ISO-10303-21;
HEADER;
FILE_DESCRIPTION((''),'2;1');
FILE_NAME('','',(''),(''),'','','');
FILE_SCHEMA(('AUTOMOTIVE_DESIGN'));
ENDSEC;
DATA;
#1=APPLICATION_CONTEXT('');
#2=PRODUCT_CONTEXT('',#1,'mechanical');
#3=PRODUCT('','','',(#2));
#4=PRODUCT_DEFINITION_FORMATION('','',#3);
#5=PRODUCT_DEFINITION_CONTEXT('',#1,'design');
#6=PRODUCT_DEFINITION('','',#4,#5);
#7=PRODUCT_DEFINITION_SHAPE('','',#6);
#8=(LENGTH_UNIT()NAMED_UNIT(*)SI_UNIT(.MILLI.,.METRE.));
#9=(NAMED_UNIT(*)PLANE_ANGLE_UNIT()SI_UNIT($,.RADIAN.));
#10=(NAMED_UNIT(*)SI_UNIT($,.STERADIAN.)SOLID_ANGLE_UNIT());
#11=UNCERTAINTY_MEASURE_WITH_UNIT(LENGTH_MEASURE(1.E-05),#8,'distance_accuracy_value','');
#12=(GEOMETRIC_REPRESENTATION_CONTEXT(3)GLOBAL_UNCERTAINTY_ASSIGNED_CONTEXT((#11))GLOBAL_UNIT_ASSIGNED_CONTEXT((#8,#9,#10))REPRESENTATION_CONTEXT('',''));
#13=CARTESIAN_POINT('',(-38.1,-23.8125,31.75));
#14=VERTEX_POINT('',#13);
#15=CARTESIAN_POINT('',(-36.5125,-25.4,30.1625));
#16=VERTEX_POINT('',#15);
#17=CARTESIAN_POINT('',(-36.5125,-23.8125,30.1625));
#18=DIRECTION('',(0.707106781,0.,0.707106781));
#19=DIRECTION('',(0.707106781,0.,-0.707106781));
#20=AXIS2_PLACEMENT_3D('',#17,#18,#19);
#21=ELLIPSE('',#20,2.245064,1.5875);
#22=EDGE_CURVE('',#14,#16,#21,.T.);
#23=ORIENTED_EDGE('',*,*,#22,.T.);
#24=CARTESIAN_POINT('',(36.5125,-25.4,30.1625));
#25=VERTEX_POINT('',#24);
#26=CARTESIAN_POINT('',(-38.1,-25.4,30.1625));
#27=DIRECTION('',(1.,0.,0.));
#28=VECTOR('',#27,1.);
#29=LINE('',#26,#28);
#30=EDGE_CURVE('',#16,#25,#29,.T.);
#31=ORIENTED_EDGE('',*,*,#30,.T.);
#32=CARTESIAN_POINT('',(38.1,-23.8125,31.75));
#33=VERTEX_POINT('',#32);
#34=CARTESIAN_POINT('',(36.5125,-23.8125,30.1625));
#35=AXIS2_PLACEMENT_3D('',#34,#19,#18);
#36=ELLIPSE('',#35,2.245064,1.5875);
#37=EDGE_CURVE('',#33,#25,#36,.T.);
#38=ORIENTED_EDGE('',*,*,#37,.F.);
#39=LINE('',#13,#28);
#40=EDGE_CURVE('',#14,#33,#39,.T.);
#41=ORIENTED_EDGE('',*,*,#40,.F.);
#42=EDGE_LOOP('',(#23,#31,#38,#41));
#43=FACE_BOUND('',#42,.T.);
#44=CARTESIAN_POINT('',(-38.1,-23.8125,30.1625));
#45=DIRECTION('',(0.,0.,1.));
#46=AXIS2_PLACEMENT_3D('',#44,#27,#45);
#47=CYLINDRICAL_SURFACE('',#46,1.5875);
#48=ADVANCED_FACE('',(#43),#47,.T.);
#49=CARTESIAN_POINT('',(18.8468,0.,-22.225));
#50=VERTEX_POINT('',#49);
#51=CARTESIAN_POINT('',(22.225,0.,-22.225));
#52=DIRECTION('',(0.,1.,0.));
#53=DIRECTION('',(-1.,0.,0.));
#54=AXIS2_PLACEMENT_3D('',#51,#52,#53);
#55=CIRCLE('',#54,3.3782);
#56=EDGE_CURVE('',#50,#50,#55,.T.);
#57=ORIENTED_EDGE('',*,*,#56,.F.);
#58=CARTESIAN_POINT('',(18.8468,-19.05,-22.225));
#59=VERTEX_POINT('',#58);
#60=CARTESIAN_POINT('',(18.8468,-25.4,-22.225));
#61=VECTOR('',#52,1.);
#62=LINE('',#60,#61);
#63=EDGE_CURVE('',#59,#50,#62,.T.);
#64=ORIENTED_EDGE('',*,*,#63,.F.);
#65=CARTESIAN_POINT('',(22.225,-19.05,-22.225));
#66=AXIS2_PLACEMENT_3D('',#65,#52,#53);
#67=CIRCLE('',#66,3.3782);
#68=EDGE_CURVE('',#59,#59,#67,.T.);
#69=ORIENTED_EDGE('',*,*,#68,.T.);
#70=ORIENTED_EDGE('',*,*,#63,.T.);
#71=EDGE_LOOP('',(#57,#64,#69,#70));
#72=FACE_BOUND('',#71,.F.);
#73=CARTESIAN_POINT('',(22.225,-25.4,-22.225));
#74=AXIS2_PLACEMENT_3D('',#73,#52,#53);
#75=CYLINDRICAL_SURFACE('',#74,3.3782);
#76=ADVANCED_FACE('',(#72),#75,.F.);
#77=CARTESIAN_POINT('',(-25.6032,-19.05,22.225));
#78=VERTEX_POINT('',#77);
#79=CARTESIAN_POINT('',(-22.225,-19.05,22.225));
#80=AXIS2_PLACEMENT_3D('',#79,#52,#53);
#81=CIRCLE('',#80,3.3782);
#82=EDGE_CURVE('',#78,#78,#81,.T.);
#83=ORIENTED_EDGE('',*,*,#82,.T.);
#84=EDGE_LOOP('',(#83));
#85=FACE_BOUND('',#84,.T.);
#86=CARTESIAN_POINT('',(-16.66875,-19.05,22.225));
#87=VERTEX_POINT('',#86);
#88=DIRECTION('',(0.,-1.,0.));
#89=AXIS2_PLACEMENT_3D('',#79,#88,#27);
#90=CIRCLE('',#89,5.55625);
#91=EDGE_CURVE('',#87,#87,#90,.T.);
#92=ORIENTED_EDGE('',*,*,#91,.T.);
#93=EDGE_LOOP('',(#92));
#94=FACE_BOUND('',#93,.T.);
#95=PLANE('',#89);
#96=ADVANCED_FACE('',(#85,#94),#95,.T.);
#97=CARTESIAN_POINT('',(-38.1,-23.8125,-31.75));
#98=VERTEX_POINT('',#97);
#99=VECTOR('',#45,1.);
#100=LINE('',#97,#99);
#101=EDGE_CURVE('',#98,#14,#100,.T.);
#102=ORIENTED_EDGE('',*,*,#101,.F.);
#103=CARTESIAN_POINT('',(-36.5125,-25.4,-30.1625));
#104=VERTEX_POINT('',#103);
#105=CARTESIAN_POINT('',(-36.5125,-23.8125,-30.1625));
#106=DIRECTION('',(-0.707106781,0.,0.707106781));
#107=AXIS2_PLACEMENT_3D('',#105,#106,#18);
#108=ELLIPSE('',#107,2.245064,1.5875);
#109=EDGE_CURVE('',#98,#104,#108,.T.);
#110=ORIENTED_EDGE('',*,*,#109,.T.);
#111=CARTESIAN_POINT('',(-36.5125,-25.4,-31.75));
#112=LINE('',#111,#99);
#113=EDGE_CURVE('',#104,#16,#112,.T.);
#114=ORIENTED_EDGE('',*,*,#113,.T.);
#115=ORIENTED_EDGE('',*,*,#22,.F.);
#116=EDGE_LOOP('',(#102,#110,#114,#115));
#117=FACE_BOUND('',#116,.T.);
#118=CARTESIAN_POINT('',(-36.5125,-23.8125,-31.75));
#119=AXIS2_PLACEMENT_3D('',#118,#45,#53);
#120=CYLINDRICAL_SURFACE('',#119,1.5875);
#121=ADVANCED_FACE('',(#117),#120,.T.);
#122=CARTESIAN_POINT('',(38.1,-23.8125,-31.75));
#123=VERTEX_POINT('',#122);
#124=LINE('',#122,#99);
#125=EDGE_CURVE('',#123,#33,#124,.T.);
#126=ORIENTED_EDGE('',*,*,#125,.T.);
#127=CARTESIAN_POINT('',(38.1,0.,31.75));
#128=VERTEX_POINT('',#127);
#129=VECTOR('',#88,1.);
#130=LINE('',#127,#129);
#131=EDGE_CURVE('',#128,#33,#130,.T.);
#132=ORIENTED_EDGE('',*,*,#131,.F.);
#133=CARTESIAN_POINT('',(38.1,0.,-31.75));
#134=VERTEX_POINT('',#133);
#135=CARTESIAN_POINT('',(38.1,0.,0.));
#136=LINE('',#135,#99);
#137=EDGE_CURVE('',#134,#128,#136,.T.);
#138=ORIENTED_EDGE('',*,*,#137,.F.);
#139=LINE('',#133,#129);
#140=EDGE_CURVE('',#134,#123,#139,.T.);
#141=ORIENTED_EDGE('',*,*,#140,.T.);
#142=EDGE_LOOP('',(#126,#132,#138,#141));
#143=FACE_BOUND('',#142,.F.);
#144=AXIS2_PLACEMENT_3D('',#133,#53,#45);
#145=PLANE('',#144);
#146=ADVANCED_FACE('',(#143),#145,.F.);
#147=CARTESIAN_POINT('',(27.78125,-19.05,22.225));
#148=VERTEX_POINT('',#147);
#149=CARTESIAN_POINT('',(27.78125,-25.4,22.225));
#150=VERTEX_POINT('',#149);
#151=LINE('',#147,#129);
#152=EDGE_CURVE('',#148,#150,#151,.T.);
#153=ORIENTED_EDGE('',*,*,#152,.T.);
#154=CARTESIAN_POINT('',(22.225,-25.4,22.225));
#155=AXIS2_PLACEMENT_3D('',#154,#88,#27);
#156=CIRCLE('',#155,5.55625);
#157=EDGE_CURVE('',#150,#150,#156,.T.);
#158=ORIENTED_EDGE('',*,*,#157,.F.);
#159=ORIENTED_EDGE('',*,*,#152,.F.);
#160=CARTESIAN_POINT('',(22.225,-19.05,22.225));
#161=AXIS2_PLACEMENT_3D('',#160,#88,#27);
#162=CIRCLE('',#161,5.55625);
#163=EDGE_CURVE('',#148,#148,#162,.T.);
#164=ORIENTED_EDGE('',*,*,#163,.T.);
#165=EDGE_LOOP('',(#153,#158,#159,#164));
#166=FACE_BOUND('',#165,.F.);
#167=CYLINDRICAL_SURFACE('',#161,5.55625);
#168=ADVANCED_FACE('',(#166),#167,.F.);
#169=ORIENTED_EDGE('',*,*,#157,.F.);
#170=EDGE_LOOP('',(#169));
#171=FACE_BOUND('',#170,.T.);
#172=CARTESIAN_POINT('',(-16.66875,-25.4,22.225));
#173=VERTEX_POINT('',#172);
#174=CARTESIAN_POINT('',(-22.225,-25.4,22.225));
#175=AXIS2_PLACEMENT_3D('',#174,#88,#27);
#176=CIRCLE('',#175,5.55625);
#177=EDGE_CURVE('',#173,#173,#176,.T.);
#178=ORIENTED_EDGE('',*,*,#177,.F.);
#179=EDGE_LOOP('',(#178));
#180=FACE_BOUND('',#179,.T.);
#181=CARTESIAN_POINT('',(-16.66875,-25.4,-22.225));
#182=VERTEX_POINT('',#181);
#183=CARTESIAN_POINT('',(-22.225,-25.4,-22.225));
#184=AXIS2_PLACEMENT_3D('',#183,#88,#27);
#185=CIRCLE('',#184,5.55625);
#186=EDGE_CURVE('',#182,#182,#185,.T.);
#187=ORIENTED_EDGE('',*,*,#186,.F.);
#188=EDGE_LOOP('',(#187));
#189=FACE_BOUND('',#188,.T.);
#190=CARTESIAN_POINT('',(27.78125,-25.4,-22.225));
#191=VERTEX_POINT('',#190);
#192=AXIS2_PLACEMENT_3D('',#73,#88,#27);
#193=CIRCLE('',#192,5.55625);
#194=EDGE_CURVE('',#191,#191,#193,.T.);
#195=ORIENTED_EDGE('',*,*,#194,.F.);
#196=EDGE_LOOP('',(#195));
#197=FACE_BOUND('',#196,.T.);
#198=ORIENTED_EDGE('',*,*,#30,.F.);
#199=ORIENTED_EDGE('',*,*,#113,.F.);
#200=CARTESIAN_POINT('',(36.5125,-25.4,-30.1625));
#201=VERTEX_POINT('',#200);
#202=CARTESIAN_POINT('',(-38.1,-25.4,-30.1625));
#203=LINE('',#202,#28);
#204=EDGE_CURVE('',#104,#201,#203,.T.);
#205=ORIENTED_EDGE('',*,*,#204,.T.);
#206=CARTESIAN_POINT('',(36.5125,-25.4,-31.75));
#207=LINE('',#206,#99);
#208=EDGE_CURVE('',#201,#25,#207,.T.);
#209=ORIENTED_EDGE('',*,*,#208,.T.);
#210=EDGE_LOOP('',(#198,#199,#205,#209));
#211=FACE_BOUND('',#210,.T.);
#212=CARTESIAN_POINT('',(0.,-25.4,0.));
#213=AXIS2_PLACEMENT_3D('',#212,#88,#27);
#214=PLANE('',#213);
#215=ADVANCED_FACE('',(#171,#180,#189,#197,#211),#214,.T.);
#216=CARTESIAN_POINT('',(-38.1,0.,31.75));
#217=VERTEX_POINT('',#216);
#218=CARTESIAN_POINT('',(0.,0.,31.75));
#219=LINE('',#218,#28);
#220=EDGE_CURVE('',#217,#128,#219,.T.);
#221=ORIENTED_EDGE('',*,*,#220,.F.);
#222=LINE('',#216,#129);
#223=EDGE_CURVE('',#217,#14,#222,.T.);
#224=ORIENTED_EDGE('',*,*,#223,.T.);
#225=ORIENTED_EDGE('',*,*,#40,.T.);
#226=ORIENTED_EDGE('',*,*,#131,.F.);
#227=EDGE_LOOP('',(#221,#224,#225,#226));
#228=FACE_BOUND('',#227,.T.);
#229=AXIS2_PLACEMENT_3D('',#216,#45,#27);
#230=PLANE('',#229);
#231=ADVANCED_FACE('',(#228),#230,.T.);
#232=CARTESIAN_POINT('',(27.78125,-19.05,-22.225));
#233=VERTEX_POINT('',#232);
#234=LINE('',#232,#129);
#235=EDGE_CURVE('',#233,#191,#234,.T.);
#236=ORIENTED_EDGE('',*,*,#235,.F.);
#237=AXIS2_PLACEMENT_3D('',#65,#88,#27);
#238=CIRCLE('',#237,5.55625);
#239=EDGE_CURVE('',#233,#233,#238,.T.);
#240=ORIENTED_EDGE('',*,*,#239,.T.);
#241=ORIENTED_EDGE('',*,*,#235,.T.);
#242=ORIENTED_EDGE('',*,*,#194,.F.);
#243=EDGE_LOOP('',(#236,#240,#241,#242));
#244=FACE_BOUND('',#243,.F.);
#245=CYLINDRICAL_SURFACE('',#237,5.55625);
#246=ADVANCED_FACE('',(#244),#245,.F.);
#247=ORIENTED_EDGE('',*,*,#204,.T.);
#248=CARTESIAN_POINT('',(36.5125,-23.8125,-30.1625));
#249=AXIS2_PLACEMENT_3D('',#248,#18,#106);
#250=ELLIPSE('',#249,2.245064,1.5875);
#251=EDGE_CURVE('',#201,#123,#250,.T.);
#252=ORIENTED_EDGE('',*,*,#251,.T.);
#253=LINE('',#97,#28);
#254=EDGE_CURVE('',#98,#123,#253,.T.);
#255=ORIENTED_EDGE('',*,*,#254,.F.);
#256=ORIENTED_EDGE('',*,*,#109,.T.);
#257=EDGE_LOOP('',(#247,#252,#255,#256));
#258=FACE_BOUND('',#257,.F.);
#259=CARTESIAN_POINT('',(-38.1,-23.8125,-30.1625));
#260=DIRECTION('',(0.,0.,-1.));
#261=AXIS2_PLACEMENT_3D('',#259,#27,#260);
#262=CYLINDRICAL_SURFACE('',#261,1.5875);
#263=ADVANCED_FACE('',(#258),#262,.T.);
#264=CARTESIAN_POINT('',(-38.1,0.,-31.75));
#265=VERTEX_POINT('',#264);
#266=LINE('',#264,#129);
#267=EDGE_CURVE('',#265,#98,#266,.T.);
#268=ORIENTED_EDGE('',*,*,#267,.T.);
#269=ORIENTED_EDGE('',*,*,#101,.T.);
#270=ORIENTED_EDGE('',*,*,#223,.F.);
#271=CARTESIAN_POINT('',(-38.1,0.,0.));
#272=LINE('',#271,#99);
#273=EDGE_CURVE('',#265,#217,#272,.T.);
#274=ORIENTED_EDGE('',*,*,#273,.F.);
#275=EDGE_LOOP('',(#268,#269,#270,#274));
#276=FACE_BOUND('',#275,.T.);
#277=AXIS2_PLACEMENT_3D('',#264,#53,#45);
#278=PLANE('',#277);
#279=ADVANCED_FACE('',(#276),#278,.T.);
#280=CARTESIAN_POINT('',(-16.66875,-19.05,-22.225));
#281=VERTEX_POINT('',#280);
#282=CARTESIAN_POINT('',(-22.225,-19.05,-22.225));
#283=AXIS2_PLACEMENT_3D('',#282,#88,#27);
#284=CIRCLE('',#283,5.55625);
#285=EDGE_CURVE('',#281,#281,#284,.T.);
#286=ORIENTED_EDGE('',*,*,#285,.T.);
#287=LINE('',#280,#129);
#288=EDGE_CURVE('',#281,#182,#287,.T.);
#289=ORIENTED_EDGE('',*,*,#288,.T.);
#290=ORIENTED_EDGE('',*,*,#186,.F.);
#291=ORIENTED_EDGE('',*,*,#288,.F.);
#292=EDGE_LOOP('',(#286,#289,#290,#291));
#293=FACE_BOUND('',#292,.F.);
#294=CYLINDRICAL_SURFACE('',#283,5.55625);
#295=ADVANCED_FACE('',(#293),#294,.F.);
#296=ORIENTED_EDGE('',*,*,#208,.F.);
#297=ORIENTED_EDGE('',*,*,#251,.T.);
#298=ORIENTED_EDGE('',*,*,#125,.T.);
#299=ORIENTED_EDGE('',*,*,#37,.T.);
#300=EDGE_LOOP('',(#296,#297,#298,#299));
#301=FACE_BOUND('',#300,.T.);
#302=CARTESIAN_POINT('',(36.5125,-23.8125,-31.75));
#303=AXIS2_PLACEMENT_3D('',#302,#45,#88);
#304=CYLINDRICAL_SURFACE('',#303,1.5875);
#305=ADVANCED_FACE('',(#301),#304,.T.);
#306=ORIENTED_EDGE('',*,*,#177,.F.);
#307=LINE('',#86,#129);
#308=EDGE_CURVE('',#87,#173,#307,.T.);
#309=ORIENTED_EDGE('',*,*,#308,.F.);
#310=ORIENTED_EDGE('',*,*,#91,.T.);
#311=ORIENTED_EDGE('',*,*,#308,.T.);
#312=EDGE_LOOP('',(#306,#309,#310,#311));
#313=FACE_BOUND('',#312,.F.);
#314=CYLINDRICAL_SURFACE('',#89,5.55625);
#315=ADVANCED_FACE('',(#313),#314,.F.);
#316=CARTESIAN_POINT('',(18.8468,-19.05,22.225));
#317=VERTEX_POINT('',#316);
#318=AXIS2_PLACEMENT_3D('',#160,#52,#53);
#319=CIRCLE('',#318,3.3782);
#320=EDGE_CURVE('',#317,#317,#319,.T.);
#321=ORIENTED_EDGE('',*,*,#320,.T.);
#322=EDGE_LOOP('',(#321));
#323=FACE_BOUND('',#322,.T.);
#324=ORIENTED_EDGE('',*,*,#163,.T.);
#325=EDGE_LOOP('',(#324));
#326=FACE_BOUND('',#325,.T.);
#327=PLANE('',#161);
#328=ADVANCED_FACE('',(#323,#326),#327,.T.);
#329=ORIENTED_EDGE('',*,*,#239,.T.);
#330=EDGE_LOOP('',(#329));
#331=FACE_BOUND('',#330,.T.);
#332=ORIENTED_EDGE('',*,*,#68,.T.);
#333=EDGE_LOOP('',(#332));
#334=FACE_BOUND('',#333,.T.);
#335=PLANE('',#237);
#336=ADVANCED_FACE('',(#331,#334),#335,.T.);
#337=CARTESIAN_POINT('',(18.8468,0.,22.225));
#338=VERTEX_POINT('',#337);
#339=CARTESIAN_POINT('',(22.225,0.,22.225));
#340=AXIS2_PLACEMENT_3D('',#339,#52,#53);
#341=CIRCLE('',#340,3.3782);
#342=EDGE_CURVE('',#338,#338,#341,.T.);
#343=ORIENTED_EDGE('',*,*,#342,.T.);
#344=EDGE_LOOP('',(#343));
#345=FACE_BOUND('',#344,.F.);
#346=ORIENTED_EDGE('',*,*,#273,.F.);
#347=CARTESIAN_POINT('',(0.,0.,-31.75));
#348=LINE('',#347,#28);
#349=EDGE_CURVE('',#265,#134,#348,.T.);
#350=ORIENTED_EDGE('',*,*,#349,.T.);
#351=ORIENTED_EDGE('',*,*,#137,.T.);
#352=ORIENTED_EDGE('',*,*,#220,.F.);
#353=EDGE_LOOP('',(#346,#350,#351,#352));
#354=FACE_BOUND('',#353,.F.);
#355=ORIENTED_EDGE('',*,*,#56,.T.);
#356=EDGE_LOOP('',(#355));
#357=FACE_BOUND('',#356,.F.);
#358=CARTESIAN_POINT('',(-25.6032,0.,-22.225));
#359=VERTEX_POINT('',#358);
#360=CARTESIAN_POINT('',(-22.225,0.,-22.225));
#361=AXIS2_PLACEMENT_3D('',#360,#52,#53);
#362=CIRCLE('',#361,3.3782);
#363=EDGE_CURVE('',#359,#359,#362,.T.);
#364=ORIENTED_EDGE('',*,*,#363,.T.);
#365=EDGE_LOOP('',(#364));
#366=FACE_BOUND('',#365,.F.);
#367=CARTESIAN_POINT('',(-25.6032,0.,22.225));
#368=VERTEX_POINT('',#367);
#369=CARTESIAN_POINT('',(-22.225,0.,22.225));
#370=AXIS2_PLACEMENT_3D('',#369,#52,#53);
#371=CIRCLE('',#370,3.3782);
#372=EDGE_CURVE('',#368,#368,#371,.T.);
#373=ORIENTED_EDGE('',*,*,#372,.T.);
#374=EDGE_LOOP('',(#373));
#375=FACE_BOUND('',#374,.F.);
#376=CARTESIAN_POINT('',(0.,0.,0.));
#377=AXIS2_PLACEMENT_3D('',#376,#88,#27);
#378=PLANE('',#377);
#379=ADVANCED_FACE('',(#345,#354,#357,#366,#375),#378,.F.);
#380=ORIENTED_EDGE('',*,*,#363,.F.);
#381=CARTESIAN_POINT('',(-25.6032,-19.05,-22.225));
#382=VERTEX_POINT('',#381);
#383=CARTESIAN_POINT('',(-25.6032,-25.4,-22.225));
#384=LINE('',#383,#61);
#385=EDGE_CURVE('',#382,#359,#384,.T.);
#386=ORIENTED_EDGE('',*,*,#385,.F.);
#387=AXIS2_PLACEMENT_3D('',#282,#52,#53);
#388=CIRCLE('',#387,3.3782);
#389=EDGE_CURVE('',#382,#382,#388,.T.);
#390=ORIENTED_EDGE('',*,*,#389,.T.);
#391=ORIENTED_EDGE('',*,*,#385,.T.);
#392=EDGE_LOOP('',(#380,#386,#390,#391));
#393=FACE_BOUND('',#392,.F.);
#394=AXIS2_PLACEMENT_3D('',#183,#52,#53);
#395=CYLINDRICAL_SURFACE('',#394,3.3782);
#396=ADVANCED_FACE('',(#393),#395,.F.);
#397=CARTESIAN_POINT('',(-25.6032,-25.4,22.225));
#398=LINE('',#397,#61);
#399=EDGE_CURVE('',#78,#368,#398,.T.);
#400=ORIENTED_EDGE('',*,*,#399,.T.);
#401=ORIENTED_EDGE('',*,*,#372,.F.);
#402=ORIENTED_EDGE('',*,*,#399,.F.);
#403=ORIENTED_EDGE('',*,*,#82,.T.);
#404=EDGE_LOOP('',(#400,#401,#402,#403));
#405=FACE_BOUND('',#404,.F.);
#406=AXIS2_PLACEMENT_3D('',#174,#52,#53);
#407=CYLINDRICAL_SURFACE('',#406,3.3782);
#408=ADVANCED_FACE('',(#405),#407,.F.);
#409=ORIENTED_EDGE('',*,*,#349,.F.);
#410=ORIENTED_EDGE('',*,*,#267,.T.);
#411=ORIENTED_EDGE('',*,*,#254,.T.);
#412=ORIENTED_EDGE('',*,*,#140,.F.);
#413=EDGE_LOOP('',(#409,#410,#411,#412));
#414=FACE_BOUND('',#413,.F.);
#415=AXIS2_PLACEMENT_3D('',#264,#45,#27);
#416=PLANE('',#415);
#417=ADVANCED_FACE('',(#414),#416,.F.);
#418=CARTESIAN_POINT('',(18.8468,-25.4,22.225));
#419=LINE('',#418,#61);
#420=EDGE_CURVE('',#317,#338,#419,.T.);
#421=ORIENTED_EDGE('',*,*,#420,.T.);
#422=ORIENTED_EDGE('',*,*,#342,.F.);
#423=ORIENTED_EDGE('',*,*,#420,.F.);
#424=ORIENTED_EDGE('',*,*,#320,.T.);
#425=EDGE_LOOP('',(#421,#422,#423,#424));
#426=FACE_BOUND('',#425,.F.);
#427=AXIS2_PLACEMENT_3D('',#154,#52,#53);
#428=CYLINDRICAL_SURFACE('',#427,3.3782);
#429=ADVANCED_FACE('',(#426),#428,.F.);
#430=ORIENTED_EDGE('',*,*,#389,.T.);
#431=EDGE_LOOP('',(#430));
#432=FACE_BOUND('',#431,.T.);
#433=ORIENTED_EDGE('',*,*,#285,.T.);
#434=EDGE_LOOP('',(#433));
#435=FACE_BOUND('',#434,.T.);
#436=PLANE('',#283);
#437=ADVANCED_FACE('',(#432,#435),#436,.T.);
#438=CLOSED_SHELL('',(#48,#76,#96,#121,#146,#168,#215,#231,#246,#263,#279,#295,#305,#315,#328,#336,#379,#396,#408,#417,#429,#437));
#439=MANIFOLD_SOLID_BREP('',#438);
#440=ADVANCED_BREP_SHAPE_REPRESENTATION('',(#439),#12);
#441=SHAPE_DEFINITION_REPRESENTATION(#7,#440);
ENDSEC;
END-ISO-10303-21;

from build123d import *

# Parameters (mm, degrees)
F0_W           = 76.2
F0_H           = 63.5
F1_DEPTH       = 25.4
F3_D           = 6.7564
F3_CBORE_D     = 11.1125
F3_CBORE_DEPTH = 6.35
F4_R           = 1.5875


with BuildPart() as f1:
    # F0 (on Front) → F1 (new body)
    with BuildSketch(Plane.XZ):
        Rectangle(F0_W, F0_H)
    extrude(amount=F1_DEPTH)

    # F3 (through all)
    with Locations(Plane.XZ.offset(25.4)):
        with Locations((-22.225, 22.225), (22.225, 22.225), (22.225, -22.225), (-22.225, -22.225)):
            CounterBoreHole(F3_D / 2, F3_CBORE_D / 2, F3_CBORE_DEPTH)

    # F4
    f4_edges = [f1.edges().sort_by_distance(p)[0] for p in [
        (0, -25.4, 31.75),
        (38.1, -25.4, 0),
        (0, -25.4, -31.75),
        (-38.1, -25.4, 0),
    ]]
    fillet(f4_edges, radius=F4_R)


solid = f1.part
